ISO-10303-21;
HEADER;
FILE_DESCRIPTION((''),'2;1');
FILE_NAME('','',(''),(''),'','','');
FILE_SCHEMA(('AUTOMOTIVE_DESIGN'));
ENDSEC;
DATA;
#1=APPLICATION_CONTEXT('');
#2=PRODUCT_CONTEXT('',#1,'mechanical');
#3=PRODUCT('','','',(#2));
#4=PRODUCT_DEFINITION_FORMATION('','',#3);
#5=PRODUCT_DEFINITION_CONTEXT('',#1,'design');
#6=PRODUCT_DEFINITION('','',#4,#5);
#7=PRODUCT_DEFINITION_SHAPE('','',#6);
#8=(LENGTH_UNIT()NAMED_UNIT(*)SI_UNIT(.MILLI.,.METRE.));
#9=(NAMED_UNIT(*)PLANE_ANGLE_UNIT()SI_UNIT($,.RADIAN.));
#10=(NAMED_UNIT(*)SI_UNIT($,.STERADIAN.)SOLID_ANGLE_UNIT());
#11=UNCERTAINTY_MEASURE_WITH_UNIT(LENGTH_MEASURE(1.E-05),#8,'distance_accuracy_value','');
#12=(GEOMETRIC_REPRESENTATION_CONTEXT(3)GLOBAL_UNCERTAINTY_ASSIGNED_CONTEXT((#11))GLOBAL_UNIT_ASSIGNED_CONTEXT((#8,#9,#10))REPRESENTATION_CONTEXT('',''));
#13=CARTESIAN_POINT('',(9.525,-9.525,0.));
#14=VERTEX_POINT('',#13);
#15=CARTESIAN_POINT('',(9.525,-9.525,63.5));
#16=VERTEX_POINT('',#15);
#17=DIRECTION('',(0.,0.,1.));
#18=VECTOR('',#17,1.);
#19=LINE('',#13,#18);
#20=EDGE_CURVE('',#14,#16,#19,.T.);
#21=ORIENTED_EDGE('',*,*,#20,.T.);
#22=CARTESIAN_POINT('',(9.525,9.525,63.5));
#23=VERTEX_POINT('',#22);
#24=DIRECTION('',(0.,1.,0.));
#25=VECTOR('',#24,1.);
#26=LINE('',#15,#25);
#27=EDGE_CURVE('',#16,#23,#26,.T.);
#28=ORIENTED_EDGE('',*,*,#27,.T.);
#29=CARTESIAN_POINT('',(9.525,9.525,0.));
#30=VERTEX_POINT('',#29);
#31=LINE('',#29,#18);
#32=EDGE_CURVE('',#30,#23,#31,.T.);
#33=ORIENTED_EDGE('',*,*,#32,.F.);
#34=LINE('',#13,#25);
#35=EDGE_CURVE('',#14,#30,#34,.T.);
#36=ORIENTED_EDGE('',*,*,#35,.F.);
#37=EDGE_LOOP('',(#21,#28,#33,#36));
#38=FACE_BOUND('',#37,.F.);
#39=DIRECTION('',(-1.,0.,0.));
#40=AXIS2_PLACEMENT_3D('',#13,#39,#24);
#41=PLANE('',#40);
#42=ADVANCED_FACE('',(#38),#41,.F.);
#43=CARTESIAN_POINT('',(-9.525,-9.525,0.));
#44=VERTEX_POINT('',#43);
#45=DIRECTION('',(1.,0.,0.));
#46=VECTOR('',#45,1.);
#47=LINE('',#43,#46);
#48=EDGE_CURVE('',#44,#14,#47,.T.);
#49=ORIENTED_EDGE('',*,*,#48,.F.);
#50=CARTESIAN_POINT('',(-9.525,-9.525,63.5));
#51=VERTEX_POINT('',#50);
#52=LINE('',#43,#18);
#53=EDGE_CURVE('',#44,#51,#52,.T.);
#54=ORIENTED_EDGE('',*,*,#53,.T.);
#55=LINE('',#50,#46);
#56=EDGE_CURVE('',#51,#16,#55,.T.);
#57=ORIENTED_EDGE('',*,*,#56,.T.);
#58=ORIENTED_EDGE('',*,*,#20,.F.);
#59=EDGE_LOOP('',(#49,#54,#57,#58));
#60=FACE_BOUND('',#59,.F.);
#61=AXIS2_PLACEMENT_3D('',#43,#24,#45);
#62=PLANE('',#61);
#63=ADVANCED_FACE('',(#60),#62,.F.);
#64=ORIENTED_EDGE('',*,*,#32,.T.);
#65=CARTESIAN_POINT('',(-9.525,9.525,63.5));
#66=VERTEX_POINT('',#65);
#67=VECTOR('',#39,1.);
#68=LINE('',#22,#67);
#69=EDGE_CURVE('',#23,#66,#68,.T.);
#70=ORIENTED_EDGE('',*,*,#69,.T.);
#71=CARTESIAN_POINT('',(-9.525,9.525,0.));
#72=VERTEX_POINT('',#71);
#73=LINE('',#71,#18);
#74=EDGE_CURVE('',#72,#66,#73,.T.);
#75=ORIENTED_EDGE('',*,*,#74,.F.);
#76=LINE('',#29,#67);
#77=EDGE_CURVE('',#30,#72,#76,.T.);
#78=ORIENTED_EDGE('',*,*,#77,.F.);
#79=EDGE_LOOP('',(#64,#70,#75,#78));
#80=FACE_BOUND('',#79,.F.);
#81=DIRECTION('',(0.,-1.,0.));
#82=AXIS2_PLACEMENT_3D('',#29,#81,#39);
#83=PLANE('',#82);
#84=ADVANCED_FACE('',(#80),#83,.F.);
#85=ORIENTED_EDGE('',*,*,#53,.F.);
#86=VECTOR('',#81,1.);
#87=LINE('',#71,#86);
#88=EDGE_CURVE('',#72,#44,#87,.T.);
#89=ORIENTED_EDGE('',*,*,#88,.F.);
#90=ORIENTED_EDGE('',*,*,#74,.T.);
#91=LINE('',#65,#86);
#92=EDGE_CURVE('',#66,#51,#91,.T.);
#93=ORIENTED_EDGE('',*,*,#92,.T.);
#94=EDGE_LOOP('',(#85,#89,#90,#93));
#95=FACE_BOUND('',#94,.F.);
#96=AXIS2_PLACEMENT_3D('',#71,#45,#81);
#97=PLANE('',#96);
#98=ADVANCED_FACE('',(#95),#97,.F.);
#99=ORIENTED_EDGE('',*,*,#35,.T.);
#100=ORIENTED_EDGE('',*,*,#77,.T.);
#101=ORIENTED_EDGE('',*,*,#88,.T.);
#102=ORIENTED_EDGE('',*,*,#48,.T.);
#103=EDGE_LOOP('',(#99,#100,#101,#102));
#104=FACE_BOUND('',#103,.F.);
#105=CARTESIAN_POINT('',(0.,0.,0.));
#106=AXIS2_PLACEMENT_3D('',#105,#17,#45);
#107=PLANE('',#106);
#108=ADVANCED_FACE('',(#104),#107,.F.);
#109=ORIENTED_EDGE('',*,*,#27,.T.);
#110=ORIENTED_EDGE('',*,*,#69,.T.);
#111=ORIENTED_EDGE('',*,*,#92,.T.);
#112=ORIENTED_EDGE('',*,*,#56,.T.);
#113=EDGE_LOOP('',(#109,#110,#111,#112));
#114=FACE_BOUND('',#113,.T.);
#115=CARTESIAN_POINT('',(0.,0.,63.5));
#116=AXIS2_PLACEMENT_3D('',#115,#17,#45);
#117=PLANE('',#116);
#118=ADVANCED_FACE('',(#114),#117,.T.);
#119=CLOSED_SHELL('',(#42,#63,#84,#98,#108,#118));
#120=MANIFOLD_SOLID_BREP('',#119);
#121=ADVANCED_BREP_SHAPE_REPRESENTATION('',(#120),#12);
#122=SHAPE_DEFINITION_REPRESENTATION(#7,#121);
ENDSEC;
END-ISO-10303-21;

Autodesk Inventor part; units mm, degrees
ref_plane "YZ Plane" through (0, 0, 0) normal (1, 0, 0) x (0, 1, 0)
ref_plane "XZ Plane" through (0, 0, 0) normal (0, 1, 0) x (-1, 0, 0)
ref_plane "XY Plane" through (0, 0, 0) normal (0, 0, 1) x (1, 0, 0)
sketch "Sketch1" plane through (0, 0, 0) normal (0, 0, 1) x (1, 0, 0)
  line L0 (-9.525, -9.525) -> (9.525, -9.525)
  line L1 (9.525, -9.525) -> (9.525, 9.525)
  line L2 (9.525, 9.525) -> (-9.525, 9.525)
  line L3 (-9.525, 9.525) -> (-9.525, -9.525)
  line L4 (-9.525, -9.525) -> (9.525, 9.525) construction
  line L5 (9.525, -9.525) -> (-9.525, 9.525) construction
  point P0 (0, 0)
  dimension "d0" = 19.05
  dimension "d1" = 19.05
extrude "Extrusion1" add sketch "Sketch1" along normal blind 63.5
properties part number "mockmotor"
